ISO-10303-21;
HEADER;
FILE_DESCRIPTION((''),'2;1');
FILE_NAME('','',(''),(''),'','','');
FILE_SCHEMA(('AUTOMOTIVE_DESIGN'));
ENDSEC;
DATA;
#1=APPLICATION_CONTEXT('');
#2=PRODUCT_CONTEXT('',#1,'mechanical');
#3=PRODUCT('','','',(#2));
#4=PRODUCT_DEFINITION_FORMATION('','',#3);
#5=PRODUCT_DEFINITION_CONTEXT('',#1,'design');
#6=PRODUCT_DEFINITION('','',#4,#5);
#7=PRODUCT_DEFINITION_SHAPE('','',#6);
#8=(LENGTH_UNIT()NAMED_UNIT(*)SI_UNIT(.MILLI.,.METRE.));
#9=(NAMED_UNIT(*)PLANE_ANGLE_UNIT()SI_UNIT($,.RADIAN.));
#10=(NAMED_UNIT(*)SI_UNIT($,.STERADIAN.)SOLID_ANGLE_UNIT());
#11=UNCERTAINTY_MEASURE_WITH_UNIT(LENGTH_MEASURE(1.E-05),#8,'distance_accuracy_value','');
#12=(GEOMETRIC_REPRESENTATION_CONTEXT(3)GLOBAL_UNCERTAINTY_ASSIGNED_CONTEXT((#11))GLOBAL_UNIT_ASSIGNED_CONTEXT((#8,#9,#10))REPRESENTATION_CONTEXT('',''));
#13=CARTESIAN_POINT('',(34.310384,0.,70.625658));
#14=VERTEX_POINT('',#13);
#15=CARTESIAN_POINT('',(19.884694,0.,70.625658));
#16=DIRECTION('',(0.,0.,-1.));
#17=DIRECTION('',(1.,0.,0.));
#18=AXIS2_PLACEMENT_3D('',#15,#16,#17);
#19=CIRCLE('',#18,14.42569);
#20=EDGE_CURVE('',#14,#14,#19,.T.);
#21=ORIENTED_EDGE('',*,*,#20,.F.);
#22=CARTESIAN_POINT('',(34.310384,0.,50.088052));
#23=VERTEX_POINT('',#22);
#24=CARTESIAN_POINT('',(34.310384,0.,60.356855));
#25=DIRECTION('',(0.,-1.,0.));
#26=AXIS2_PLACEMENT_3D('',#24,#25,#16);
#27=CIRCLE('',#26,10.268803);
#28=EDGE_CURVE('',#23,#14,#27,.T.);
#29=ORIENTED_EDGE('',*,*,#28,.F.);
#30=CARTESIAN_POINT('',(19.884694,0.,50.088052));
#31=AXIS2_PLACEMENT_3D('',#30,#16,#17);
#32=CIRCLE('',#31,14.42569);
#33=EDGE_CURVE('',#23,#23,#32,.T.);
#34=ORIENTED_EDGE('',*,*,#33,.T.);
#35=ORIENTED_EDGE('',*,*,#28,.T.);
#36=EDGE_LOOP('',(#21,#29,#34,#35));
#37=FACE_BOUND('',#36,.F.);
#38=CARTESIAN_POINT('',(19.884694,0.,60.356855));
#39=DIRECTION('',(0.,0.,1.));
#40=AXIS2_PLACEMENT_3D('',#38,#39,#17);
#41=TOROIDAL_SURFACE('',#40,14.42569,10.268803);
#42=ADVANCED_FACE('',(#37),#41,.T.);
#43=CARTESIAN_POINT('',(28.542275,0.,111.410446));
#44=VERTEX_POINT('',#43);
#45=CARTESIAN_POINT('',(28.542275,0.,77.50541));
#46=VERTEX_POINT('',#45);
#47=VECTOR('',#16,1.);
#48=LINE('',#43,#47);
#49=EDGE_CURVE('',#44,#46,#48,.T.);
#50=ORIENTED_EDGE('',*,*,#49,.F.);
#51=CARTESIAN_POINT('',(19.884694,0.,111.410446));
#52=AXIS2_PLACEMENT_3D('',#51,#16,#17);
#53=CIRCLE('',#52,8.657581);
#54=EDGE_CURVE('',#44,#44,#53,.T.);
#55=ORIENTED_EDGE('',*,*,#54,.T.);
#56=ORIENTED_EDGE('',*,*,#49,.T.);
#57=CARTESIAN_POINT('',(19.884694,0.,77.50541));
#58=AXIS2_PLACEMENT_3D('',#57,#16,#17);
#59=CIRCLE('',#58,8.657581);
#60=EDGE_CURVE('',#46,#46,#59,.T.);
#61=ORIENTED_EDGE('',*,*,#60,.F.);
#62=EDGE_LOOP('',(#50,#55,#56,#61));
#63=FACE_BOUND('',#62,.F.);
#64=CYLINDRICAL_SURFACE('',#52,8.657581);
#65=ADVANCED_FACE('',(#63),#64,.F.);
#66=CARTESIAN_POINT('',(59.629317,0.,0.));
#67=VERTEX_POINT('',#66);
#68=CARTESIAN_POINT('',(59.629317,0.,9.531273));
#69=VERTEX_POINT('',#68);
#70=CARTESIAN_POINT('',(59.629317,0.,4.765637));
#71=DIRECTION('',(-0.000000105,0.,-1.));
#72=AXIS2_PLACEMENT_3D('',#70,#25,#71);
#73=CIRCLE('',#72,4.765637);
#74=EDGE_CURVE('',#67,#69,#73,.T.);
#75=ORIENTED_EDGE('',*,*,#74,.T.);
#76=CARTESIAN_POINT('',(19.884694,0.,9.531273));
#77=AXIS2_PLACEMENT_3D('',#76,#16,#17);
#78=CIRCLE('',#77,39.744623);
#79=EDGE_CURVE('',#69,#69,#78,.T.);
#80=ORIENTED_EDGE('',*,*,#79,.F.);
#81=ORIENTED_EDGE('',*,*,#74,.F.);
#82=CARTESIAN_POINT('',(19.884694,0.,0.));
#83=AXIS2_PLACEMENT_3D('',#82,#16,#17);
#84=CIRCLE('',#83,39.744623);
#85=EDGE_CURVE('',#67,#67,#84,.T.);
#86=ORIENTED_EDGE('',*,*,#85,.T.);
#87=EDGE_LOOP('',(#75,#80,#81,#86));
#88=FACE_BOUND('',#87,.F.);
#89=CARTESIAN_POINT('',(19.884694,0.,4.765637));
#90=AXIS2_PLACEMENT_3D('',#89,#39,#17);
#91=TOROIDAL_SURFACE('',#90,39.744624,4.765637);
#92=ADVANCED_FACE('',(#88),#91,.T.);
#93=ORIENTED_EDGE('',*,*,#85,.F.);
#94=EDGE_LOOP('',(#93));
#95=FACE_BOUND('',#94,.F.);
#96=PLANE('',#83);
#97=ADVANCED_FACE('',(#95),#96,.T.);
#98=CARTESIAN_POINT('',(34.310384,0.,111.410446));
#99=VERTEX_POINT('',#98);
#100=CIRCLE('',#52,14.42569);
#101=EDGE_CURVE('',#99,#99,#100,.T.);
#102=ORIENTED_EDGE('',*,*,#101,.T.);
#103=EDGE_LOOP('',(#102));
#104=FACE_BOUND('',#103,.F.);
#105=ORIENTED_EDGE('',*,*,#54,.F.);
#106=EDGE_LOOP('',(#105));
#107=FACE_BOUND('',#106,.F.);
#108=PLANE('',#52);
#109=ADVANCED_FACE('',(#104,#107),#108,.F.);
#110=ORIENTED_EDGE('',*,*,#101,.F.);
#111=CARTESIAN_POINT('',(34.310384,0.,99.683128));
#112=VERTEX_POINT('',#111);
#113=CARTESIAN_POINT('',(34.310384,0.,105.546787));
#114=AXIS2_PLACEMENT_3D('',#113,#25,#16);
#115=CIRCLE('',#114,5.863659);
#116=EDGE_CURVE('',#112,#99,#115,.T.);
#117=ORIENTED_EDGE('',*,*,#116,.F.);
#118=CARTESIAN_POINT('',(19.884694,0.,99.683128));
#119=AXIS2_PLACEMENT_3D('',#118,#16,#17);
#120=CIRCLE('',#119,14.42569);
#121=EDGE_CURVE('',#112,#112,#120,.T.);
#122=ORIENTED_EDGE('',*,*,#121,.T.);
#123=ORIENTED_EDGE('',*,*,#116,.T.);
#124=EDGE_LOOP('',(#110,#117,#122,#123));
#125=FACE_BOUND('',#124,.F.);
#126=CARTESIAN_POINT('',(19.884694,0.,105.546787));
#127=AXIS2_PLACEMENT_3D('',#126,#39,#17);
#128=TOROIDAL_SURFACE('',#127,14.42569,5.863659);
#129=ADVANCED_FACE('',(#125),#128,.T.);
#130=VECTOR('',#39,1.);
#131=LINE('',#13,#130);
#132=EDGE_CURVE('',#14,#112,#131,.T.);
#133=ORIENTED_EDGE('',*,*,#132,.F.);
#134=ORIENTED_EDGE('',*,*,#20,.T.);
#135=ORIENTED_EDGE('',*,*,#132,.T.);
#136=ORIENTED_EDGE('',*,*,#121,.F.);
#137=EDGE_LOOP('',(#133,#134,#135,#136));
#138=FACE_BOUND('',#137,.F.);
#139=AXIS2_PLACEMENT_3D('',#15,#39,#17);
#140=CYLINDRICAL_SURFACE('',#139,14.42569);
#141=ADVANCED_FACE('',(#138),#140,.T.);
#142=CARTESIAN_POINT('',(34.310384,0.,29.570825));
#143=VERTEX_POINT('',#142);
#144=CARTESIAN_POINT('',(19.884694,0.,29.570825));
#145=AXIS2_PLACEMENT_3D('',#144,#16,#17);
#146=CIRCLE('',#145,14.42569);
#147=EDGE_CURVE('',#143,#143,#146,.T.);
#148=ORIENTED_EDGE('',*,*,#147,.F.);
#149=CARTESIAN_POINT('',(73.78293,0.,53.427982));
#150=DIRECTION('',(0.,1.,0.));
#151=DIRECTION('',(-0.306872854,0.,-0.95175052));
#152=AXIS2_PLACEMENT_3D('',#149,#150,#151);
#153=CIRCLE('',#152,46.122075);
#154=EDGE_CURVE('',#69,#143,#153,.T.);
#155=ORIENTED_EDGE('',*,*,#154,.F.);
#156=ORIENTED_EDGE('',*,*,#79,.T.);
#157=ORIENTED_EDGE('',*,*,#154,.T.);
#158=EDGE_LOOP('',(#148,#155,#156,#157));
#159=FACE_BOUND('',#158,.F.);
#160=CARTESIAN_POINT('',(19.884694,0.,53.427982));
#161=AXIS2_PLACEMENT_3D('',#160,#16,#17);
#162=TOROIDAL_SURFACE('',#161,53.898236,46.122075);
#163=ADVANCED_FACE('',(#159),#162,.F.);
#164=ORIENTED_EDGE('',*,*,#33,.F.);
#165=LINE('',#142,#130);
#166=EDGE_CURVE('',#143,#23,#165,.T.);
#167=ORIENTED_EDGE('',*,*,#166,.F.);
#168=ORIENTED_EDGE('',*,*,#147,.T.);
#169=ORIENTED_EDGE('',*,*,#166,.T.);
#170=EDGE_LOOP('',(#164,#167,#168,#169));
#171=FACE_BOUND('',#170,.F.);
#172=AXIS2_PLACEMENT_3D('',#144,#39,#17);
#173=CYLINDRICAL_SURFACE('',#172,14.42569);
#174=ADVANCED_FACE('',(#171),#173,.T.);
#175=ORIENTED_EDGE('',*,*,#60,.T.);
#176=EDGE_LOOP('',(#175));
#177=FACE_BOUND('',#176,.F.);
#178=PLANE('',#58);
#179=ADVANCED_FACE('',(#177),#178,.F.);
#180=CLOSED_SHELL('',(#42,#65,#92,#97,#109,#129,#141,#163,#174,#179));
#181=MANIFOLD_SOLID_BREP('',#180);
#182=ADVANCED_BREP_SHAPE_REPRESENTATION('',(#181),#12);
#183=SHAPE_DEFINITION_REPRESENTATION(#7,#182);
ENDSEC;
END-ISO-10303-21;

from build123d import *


with BuildPart() as f1:
    # F0 (on Front) → F1 (revolve)
    with BuildSketch(Plane.XZ):
        with BuildLine():
            Line((19.884694, 77.50541), (19.884694, 0))
            Line((19.884694, 0), (59.629317, 0))
            ThreePointArc((59.629317, 0), (64.394954, 4.765636), (59.629317, 9.531273))
            ThreePointArc((59.629317, 9.531273), (45.158864, 17.262962), (34.310384, 29.570825))
            Line((34.310384, 29.570825), (34.310384, 50.088052))
            ThreePointArc((34.310384, 50.088052), (44.579187, 60.356855), (34.310384, 70.625658))
            Line((34.310384, 70.625658), (34.310384, 99.683128))
            ThreePointArc((34.310384, 99.683128), (40.174043, 105.546787), (34.310384, 111.410446))
            Line((34.310384, 111.410446), (28.542275, 111.410446))
            Line((28.542275, 111.410446), (28.542275, 77.50541))
            Line((28.542275, 77.50541), (19.884694, 77.50541))
        make_face()
    revolve(axis=Axis((19.884694, 0, 38.752705), (0, 0, -1)))


solid = f1.part
